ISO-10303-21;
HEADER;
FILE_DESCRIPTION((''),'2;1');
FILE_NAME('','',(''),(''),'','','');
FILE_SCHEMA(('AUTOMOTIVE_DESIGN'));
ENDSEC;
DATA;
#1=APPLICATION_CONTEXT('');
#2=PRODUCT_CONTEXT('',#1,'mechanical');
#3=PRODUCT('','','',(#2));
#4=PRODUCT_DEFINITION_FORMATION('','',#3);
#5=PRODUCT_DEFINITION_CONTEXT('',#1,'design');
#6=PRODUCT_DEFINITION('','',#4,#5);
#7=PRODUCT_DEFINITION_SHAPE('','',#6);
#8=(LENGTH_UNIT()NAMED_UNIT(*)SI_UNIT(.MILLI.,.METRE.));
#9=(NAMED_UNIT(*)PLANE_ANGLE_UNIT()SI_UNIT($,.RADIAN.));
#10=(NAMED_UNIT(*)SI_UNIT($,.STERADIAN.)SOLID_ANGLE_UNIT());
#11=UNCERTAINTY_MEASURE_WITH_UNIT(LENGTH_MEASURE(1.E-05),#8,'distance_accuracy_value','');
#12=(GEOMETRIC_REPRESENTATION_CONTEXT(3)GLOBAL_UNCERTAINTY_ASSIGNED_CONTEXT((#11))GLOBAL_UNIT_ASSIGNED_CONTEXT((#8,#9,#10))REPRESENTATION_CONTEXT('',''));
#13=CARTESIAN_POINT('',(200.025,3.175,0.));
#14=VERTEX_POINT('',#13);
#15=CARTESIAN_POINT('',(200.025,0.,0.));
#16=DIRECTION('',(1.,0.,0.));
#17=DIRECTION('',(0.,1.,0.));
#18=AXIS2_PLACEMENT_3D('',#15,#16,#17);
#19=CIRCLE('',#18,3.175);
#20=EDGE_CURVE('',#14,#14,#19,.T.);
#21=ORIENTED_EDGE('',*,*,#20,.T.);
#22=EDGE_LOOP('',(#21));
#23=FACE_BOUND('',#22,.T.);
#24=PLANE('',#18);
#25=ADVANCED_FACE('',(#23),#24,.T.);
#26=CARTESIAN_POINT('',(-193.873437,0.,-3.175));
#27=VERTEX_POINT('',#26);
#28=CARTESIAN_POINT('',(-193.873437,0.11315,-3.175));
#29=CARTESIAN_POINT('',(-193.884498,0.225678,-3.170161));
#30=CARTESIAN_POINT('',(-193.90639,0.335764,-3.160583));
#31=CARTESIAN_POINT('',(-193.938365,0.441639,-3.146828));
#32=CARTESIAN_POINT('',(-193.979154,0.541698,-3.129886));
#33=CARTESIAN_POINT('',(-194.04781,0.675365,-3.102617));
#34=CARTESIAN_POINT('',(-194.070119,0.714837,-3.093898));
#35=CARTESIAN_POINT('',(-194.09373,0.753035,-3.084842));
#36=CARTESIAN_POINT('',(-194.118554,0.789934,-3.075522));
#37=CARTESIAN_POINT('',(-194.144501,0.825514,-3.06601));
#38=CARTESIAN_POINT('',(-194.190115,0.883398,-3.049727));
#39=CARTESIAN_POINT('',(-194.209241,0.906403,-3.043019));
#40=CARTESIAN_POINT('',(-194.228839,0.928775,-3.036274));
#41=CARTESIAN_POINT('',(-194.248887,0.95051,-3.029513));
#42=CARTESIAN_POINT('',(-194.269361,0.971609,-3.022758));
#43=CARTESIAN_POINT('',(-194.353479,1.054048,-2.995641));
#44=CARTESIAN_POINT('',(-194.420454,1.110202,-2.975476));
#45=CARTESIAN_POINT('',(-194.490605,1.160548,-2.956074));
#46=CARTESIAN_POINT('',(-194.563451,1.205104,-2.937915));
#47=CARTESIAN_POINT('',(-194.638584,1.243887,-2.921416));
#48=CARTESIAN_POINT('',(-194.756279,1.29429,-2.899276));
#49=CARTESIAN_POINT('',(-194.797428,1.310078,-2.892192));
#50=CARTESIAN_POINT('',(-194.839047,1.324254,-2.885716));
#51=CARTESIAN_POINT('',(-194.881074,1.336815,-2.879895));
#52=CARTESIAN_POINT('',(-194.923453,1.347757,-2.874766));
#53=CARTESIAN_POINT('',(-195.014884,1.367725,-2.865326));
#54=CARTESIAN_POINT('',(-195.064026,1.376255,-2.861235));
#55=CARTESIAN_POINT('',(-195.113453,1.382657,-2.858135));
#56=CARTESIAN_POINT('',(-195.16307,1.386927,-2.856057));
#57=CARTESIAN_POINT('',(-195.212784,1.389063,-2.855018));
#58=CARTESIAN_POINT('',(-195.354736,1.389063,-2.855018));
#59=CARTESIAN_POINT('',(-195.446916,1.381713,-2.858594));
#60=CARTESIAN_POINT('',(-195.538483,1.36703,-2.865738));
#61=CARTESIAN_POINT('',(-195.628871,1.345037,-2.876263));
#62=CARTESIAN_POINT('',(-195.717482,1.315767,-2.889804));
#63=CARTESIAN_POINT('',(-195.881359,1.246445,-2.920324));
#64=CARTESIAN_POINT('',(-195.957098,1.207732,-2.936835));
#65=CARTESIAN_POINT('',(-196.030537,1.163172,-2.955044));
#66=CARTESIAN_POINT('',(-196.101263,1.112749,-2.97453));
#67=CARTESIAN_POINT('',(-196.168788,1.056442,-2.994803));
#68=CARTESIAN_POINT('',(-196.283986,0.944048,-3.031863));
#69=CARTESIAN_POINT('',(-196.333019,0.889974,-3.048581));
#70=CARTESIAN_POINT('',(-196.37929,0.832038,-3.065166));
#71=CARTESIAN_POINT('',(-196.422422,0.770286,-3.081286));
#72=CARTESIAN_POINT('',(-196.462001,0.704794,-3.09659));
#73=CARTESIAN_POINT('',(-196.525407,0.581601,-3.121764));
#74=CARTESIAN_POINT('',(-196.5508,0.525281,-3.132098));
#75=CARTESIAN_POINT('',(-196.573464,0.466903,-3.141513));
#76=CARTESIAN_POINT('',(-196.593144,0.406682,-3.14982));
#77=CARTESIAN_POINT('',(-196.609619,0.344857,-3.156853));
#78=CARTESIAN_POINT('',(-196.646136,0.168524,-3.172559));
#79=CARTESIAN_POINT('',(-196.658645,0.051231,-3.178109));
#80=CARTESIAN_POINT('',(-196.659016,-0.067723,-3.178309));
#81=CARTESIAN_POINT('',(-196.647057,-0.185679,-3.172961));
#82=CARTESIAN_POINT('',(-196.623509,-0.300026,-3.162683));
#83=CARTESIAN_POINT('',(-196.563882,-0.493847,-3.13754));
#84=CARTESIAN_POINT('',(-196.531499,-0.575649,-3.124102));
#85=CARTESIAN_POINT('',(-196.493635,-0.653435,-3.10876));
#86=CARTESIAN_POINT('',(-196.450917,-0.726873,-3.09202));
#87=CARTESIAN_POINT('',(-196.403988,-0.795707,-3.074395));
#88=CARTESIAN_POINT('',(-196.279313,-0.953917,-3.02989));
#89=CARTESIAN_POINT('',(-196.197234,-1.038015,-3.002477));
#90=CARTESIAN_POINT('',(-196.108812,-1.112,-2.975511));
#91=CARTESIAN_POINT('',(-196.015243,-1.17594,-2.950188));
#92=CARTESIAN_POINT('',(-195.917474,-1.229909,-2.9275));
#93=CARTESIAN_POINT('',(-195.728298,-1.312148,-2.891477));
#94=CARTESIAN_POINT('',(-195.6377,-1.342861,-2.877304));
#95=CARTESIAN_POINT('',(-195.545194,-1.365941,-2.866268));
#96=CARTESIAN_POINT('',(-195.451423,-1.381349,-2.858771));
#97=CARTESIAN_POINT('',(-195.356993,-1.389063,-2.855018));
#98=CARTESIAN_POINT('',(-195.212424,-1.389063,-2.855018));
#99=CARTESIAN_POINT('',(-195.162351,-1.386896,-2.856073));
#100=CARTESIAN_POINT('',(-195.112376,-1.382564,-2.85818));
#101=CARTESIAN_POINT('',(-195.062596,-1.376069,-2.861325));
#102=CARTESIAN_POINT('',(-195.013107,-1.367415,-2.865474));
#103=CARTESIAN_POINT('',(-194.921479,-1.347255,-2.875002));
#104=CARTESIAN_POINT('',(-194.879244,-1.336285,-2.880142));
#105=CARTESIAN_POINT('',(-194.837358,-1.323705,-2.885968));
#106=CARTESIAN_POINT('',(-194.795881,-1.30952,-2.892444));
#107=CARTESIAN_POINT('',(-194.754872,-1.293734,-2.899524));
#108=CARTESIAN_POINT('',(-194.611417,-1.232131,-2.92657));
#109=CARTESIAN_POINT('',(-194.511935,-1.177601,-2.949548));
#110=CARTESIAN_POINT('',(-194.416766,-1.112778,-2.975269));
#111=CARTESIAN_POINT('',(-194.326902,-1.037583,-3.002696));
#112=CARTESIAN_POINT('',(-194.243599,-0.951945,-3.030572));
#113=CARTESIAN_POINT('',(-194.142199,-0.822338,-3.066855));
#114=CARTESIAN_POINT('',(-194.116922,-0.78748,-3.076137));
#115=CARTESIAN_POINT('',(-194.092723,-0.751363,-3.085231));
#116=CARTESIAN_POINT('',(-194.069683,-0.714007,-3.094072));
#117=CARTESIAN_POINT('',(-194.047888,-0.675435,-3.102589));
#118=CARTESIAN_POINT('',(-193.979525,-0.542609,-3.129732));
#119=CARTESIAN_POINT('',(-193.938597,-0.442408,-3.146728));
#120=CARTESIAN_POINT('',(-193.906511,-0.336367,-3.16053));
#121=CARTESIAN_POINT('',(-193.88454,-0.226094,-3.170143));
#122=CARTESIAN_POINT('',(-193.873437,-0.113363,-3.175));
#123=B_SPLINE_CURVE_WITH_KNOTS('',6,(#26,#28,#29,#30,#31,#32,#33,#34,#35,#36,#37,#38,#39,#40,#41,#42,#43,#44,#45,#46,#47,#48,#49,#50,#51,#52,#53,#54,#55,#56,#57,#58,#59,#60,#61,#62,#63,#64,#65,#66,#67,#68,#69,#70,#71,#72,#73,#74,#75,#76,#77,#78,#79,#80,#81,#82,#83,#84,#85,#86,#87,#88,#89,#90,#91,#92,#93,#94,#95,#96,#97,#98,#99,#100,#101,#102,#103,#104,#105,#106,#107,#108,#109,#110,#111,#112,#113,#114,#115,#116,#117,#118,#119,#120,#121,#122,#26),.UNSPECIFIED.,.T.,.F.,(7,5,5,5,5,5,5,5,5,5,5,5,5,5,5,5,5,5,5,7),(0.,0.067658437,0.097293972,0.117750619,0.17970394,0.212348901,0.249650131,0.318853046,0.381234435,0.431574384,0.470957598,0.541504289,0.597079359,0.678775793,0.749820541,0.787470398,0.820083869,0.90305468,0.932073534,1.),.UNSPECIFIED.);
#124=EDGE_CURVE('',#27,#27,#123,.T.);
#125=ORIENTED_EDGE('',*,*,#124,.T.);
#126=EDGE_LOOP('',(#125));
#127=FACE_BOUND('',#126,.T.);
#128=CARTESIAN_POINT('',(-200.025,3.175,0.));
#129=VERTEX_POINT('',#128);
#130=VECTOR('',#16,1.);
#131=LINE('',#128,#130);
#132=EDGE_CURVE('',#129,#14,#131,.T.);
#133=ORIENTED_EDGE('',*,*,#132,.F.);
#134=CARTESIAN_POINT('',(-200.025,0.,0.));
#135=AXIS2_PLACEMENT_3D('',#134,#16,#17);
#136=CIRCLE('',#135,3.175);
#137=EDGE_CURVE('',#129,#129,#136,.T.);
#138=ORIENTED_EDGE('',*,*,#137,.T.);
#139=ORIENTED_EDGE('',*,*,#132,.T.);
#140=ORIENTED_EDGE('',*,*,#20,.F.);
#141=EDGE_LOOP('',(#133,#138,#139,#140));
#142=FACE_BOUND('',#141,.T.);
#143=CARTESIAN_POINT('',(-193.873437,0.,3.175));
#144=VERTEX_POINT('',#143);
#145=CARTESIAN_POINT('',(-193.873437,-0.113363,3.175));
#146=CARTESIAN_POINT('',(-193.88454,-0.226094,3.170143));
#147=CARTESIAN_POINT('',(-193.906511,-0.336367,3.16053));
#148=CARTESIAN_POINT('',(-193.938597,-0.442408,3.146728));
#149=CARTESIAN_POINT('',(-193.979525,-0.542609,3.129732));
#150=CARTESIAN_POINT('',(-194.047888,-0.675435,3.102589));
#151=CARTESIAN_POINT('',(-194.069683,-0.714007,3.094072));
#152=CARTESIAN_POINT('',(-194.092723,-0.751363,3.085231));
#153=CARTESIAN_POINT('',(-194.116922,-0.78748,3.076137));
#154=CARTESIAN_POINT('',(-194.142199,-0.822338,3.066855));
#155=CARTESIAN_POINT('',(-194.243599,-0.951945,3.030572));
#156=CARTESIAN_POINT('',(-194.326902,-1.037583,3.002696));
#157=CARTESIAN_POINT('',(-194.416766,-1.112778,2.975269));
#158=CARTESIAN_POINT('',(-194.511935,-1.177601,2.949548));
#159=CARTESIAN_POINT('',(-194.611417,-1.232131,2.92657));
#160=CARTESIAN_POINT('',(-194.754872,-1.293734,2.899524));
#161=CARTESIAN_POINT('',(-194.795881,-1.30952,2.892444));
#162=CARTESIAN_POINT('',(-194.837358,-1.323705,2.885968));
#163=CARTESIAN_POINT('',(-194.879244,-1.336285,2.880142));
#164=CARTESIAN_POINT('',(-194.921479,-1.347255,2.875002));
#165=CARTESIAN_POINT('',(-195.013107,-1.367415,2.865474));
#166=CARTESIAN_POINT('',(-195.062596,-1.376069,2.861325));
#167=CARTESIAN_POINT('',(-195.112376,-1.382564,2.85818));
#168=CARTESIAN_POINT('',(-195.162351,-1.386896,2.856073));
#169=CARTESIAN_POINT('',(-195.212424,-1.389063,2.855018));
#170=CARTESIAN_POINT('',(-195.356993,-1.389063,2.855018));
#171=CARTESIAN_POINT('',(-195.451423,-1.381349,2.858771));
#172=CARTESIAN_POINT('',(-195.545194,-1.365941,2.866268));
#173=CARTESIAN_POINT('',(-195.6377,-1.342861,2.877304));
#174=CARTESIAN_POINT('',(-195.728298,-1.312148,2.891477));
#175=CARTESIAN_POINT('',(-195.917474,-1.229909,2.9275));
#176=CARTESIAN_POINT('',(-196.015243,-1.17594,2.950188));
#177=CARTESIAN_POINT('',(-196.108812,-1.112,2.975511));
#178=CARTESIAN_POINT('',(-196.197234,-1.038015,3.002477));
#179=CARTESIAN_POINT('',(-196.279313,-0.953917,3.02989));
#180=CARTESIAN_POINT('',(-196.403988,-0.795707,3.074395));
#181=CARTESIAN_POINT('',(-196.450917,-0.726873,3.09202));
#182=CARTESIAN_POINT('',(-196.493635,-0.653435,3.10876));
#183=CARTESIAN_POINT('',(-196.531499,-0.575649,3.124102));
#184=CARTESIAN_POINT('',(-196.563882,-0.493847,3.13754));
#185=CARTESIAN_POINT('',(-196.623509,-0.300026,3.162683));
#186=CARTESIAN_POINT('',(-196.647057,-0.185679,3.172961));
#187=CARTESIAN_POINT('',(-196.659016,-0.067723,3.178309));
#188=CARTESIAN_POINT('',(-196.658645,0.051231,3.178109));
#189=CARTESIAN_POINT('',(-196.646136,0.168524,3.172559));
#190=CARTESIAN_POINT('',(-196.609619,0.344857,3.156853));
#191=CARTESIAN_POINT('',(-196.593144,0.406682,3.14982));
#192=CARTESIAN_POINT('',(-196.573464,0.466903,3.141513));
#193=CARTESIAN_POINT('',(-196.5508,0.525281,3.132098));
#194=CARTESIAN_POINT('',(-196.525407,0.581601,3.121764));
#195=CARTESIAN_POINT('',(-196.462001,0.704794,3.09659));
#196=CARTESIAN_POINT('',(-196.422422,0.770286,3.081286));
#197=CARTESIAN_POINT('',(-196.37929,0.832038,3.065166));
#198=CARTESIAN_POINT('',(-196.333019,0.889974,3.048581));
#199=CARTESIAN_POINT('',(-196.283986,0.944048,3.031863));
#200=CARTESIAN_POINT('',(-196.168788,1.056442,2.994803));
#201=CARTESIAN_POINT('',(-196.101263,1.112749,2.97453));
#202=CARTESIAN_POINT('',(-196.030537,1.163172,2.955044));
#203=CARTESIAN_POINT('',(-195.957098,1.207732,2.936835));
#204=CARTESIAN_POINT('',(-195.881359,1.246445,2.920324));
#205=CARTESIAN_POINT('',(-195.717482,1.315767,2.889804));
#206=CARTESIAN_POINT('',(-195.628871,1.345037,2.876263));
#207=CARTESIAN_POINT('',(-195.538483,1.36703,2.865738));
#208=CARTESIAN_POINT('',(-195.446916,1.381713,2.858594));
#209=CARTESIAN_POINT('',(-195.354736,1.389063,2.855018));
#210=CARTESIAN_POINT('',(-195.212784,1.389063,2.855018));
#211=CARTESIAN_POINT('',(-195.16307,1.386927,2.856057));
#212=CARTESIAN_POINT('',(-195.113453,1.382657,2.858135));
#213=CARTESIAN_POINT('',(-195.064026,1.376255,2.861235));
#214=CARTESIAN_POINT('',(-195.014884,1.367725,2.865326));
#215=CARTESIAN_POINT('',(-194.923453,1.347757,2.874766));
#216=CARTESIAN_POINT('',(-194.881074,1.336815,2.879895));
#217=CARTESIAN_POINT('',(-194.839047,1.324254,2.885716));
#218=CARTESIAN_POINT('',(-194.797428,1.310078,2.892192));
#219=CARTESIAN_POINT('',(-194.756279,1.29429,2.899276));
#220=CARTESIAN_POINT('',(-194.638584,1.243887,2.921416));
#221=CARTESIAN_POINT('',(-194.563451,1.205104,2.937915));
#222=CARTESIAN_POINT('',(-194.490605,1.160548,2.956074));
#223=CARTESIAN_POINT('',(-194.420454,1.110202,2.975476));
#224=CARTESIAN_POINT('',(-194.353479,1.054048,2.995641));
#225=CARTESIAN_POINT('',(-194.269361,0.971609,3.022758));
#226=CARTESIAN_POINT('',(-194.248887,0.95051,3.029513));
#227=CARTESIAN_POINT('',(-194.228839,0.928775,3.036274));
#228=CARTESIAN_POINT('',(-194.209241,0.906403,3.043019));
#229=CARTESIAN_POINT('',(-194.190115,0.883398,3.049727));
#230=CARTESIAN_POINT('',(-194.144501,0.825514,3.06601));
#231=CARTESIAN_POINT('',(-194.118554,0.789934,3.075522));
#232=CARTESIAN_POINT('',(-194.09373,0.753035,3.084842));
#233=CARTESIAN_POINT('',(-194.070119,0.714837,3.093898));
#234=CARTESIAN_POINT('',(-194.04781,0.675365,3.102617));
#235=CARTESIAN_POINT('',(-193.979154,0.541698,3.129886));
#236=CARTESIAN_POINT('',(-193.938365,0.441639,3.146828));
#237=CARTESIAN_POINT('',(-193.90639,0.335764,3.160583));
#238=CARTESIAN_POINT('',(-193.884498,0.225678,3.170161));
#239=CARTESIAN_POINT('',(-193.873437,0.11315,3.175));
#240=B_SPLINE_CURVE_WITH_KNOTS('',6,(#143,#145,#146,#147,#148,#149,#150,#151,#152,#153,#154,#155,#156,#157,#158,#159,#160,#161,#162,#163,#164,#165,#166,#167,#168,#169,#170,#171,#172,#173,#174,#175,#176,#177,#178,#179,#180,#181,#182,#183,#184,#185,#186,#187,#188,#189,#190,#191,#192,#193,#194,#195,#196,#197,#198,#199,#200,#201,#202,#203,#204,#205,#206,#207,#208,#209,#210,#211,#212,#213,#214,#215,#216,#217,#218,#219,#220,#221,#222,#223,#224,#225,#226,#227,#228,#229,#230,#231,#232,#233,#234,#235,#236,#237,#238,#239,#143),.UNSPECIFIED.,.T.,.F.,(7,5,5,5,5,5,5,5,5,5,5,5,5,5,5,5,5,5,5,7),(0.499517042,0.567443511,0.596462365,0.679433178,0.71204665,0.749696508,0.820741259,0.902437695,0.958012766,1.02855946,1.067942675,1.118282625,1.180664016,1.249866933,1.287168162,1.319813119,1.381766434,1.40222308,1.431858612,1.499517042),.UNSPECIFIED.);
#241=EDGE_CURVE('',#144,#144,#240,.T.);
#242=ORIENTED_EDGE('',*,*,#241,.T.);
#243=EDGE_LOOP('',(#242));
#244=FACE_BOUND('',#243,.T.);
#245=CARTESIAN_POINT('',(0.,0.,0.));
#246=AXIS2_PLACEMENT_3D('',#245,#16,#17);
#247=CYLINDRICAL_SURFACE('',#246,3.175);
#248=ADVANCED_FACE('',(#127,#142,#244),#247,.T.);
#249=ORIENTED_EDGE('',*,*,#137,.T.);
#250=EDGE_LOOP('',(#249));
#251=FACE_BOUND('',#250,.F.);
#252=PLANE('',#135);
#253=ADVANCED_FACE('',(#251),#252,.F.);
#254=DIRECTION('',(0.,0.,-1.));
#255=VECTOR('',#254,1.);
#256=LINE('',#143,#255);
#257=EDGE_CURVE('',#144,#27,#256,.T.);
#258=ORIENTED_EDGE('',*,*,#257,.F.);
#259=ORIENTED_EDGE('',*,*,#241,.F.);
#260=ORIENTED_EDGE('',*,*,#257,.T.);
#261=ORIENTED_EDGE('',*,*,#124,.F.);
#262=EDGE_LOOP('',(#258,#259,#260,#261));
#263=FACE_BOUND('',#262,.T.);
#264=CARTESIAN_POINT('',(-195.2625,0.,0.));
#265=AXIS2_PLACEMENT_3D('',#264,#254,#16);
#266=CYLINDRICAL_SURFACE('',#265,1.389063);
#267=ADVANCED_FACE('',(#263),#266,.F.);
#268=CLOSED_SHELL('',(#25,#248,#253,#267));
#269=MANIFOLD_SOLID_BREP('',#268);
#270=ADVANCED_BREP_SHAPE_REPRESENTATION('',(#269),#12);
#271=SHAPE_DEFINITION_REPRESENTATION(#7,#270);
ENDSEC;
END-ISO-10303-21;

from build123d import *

# Parameters (mm, degrees)
F0_R          = 3.175
F1_DEPTH      = 200.025
F2_R          = 1.3890625
F3_DEPTH      = 3.175
F3_DEPTH_BACK = 3.175


with BuildPart() as f1:
    # F0 (on Right) → F1 (new body, symmetric)
    with BuildSketch(Plane.YZ):
        Circle(F0_R)
    extrude(amount=F1_DEPTH, both=True)

    # F2 (on Top) → F3 (cut, two sides)
    with BuildSketch(Plane.XY) as f3_sk:
        with Locations((-195.2625, 0)):
            Circle(F2_R)
    extrude(amount=-F3_DEPTH, mode=Mode.SUBTRACT)
    extrude(f3_sk.sketch, amount=F3_DEPTH_BACK, mode=Mode.SUBTRACT)


solid = f1.part
